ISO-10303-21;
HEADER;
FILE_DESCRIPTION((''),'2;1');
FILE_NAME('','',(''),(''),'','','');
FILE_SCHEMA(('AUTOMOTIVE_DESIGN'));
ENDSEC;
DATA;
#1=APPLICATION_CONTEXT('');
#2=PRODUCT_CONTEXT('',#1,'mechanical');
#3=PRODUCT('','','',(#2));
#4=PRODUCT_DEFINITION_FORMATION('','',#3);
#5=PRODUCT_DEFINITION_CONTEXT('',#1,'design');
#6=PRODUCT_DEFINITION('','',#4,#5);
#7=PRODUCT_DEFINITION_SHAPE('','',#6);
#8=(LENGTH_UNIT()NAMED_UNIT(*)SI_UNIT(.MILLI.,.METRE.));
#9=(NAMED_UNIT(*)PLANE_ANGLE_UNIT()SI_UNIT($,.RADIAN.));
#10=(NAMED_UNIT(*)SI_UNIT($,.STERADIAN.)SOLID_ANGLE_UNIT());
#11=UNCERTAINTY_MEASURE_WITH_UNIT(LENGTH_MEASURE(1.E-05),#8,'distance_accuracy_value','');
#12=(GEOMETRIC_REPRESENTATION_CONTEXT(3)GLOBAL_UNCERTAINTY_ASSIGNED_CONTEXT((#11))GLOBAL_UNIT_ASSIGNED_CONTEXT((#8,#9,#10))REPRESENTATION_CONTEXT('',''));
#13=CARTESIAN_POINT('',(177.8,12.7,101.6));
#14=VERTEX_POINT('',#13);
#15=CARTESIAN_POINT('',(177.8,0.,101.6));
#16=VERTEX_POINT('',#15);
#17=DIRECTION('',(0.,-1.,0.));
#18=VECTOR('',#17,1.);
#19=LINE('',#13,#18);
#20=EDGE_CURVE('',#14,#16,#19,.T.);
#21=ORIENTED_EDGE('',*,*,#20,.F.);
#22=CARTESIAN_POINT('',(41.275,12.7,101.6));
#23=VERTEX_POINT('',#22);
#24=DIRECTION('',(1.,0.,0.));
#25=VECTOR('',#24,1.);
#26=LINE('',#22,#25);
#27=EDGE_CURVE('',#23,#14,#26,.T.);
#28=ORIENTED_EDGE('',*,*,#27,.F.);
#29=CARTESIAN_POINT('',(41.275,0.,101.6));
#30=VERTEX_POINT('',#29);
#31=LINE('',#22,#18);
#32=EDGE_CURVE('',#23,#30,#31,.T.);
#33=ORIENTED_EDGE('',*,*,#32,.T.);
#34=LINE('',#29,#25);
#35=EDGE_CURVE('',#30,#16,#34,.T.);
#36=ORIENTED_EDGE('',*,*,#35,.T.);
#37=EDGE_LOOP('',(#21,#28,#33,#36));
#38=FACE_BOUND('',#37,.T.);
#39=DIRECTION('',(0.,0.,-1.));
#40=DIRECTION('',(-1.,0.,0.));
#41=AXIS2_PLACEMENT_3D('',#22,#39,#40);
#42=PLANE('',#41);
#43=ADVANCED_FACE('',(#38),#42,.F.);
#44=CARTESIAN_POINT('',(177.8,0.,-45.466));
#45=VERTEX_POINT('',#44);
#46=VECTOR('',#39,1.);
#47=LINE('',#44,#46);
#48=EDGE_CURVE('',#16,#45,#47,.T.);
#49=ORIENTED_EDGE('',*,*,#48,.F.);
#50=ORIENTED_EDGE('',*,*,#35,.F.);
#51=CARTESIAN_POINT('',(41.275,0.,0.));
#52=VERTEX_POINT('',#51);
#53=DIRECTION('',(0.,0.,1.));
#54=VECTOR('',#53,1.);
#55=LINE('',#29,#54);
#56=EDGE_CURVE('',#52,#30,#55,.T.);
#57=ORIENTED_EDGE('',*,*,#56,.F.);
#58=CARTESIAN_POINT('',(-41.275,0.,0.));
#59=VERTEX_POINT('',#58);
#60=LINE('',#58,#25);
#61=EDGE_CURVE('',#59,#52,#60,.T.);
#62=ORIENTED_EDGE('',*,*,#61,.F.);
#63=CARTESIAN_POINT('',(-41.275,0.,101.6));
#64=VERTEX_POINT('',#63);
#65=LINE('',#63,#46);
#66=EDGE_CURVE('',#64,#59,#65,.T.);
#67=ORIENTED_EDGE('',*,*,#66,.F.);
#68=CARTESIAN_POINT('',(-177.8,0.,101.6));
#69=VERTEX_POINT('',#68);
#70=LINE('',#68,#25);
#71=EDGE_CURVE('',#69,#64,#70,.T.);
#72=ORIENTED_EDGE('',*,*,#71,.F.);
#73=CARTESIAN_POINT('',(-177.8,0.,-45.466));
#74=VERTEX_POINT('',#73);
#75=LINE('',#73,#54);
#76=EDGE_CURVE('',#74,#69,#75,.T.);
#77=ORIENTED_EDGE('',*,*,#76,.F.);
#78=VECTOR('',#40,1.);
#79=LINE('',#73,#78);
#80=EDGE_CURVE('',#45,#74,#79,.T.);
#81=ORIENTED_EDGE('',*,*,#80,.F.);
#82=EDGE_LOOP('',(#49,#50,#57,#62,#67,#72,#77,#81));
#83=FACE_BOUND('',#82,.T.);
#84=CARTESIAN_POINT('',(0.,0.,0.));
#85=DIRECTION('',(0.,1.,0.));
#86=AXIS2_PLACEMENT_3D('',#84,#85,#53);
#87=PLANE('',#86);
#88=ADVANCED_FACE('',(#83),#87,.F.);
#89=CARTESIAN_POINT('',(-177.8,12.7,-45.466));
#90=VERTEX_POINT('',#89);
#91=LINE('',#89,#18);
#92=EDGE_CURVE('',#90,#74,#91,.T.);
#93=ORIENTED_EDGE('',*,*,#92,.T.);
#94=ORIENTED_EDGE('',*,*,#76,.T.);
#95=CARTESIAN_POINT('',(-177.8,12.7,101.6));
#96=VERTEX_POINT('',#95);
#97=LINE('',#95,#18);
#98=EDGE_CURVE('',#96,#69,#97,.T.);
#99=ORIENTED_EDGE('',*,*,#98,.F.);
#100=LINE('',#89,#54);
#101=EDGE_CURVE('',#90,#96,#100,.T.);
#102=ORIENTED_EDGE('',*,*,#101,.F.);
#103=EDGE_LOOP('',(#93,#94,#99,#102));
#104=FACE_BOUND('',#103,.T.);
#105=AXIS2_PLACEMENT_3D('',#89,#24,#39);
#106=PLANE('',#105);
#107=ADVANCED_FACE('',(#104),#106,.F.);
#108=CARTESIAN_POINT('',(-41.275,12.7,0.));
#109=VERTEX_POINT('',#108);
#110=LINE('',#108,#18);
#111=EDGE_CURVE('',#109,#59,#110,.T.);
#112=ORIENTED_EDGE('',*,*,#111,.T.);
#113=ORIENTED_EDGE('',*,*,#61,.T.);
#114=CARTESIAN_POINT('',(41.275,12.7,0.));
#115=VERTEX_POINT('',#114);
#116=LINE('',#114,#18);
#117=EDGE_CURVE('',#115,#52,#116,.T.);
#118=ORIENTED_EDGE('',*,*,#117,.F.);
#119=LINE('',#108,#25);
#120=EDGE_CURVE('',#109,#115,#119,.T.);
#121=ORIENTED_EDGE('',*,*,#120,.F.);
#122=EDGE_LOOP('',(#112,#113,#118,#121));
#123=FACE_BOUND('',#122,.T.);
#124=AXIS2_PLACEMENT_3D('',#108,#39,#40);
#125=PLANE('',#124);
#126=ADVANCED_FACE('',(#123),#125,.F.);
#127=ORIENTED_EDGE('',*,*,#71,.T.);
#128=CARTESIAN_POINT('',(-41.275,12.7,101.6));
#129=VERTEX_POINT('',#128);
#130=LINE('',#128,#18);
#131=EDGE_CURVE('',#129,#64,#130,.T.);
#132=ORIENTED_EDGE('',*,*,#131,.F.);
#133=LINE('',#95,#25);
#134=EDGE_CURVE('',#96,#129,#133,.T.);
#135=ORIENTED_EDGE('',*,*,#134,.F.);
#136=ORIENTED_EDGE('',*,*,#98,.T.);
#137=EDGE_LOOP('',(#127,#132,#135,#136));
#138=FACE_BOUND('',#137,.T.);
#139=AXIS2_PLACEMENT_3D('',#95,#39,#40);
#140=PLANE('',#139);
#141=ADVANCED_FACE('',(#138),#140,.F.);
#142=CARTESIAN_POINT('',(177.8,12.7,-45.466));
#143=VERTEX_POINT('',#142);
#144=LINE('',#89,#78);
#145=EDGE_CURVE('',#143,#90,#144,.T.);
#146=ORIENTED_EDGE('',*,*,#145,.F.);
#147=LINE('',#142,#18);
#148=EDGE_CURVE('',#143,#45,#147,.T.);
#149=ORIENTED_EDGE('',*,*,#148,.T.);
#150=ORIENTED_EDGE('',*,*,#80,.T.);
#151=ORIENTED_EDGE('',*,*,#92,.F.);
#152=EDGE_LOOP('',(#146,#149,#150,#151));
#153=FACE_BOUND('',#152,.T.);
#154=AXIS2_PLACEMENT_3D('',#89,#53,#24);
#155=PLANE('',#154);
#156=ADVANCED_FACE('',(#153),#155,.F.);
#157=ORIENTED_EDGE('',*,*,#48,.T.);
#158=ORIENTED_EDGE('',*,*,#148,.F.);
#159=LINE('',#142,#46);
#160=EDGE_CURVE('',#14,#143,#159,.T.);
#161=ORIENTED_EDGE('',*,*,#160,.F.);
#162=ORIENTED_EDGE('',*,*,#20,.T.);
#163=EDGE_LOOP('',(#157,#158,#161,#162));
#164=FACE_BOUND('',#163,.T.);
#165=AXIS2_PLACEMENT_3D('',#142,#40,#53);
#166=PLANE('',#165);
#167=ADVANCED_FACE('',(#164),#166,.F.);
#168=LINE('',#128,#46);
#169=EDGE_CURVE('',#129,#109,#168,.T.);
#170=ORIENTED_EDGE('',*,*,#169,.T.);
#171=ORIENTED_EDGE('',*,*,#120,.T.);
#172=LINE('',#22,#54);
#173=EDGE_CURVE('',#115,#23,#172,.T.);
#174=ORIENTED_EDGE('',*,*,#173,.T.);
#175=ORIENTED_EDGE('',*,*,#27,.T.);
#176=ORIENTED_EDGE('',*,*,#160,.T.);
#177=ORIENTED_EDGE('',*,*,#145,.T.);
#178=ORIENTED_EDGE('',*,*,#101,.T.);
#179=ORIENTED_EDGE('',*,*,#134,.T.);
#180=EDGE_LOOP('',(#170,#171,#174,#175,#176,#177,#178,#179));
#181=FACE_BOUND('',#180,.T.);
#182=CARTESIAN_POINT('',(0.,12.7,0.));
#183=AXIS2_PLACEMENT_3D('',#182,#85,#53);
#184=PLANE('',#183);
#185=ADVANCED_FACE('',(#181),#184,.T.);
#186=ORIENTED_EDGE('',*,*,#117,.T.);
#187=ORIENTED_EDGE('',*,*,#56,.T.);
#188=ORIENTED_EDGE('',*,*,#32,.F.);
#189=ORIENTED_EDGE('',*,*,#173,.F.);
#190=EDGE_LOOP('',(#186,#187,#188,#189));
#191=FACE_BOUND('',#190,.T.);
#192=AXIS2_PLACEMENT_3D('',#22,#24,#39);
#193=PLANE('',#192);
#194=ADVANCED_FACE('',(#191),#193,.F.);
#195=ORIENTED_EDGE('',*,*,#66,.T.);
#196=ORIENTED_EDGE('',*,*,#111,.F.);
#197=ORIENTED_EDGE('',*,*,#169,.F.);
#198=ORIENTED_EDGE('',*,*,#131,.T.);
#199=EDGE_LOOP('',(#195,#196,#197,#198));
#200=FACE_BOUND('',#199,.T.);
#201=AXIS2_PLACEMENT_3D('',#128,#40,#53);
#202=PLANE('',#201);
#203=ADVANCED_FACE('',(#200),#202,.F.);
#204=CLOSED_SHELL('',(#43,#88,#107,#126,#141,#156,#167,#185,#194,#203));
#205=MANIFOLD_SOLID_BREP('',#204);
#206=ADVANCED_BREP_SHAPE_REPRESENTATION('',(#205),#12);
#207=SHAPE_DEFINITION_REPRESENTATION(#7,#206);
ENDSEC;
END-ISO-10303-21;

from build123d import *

# Parameters (mm, degrees)
BOSS_EXTRUDE1_DEPTH = 12.7


with BuildPart() as part:
    # Sketch1 → Boss-Extrude1 (new body)
    with BuildSketch(Plane(origin=(0, 0, 0), x_dir=(1, 0, 0), z_dir=(0, 1, 0))):
        Polygon((-41.275, -101.6), (-41.275, 0), (41.275, 0), (41.275, -101.6), (177.8, -101.6), (177.8, 45.466), (-177.8, 45.466), (-177.8, -101.6), align=None)
    extrude(amount=BOSS_EXTRUDE1_DEPTH)


solid = part.part
